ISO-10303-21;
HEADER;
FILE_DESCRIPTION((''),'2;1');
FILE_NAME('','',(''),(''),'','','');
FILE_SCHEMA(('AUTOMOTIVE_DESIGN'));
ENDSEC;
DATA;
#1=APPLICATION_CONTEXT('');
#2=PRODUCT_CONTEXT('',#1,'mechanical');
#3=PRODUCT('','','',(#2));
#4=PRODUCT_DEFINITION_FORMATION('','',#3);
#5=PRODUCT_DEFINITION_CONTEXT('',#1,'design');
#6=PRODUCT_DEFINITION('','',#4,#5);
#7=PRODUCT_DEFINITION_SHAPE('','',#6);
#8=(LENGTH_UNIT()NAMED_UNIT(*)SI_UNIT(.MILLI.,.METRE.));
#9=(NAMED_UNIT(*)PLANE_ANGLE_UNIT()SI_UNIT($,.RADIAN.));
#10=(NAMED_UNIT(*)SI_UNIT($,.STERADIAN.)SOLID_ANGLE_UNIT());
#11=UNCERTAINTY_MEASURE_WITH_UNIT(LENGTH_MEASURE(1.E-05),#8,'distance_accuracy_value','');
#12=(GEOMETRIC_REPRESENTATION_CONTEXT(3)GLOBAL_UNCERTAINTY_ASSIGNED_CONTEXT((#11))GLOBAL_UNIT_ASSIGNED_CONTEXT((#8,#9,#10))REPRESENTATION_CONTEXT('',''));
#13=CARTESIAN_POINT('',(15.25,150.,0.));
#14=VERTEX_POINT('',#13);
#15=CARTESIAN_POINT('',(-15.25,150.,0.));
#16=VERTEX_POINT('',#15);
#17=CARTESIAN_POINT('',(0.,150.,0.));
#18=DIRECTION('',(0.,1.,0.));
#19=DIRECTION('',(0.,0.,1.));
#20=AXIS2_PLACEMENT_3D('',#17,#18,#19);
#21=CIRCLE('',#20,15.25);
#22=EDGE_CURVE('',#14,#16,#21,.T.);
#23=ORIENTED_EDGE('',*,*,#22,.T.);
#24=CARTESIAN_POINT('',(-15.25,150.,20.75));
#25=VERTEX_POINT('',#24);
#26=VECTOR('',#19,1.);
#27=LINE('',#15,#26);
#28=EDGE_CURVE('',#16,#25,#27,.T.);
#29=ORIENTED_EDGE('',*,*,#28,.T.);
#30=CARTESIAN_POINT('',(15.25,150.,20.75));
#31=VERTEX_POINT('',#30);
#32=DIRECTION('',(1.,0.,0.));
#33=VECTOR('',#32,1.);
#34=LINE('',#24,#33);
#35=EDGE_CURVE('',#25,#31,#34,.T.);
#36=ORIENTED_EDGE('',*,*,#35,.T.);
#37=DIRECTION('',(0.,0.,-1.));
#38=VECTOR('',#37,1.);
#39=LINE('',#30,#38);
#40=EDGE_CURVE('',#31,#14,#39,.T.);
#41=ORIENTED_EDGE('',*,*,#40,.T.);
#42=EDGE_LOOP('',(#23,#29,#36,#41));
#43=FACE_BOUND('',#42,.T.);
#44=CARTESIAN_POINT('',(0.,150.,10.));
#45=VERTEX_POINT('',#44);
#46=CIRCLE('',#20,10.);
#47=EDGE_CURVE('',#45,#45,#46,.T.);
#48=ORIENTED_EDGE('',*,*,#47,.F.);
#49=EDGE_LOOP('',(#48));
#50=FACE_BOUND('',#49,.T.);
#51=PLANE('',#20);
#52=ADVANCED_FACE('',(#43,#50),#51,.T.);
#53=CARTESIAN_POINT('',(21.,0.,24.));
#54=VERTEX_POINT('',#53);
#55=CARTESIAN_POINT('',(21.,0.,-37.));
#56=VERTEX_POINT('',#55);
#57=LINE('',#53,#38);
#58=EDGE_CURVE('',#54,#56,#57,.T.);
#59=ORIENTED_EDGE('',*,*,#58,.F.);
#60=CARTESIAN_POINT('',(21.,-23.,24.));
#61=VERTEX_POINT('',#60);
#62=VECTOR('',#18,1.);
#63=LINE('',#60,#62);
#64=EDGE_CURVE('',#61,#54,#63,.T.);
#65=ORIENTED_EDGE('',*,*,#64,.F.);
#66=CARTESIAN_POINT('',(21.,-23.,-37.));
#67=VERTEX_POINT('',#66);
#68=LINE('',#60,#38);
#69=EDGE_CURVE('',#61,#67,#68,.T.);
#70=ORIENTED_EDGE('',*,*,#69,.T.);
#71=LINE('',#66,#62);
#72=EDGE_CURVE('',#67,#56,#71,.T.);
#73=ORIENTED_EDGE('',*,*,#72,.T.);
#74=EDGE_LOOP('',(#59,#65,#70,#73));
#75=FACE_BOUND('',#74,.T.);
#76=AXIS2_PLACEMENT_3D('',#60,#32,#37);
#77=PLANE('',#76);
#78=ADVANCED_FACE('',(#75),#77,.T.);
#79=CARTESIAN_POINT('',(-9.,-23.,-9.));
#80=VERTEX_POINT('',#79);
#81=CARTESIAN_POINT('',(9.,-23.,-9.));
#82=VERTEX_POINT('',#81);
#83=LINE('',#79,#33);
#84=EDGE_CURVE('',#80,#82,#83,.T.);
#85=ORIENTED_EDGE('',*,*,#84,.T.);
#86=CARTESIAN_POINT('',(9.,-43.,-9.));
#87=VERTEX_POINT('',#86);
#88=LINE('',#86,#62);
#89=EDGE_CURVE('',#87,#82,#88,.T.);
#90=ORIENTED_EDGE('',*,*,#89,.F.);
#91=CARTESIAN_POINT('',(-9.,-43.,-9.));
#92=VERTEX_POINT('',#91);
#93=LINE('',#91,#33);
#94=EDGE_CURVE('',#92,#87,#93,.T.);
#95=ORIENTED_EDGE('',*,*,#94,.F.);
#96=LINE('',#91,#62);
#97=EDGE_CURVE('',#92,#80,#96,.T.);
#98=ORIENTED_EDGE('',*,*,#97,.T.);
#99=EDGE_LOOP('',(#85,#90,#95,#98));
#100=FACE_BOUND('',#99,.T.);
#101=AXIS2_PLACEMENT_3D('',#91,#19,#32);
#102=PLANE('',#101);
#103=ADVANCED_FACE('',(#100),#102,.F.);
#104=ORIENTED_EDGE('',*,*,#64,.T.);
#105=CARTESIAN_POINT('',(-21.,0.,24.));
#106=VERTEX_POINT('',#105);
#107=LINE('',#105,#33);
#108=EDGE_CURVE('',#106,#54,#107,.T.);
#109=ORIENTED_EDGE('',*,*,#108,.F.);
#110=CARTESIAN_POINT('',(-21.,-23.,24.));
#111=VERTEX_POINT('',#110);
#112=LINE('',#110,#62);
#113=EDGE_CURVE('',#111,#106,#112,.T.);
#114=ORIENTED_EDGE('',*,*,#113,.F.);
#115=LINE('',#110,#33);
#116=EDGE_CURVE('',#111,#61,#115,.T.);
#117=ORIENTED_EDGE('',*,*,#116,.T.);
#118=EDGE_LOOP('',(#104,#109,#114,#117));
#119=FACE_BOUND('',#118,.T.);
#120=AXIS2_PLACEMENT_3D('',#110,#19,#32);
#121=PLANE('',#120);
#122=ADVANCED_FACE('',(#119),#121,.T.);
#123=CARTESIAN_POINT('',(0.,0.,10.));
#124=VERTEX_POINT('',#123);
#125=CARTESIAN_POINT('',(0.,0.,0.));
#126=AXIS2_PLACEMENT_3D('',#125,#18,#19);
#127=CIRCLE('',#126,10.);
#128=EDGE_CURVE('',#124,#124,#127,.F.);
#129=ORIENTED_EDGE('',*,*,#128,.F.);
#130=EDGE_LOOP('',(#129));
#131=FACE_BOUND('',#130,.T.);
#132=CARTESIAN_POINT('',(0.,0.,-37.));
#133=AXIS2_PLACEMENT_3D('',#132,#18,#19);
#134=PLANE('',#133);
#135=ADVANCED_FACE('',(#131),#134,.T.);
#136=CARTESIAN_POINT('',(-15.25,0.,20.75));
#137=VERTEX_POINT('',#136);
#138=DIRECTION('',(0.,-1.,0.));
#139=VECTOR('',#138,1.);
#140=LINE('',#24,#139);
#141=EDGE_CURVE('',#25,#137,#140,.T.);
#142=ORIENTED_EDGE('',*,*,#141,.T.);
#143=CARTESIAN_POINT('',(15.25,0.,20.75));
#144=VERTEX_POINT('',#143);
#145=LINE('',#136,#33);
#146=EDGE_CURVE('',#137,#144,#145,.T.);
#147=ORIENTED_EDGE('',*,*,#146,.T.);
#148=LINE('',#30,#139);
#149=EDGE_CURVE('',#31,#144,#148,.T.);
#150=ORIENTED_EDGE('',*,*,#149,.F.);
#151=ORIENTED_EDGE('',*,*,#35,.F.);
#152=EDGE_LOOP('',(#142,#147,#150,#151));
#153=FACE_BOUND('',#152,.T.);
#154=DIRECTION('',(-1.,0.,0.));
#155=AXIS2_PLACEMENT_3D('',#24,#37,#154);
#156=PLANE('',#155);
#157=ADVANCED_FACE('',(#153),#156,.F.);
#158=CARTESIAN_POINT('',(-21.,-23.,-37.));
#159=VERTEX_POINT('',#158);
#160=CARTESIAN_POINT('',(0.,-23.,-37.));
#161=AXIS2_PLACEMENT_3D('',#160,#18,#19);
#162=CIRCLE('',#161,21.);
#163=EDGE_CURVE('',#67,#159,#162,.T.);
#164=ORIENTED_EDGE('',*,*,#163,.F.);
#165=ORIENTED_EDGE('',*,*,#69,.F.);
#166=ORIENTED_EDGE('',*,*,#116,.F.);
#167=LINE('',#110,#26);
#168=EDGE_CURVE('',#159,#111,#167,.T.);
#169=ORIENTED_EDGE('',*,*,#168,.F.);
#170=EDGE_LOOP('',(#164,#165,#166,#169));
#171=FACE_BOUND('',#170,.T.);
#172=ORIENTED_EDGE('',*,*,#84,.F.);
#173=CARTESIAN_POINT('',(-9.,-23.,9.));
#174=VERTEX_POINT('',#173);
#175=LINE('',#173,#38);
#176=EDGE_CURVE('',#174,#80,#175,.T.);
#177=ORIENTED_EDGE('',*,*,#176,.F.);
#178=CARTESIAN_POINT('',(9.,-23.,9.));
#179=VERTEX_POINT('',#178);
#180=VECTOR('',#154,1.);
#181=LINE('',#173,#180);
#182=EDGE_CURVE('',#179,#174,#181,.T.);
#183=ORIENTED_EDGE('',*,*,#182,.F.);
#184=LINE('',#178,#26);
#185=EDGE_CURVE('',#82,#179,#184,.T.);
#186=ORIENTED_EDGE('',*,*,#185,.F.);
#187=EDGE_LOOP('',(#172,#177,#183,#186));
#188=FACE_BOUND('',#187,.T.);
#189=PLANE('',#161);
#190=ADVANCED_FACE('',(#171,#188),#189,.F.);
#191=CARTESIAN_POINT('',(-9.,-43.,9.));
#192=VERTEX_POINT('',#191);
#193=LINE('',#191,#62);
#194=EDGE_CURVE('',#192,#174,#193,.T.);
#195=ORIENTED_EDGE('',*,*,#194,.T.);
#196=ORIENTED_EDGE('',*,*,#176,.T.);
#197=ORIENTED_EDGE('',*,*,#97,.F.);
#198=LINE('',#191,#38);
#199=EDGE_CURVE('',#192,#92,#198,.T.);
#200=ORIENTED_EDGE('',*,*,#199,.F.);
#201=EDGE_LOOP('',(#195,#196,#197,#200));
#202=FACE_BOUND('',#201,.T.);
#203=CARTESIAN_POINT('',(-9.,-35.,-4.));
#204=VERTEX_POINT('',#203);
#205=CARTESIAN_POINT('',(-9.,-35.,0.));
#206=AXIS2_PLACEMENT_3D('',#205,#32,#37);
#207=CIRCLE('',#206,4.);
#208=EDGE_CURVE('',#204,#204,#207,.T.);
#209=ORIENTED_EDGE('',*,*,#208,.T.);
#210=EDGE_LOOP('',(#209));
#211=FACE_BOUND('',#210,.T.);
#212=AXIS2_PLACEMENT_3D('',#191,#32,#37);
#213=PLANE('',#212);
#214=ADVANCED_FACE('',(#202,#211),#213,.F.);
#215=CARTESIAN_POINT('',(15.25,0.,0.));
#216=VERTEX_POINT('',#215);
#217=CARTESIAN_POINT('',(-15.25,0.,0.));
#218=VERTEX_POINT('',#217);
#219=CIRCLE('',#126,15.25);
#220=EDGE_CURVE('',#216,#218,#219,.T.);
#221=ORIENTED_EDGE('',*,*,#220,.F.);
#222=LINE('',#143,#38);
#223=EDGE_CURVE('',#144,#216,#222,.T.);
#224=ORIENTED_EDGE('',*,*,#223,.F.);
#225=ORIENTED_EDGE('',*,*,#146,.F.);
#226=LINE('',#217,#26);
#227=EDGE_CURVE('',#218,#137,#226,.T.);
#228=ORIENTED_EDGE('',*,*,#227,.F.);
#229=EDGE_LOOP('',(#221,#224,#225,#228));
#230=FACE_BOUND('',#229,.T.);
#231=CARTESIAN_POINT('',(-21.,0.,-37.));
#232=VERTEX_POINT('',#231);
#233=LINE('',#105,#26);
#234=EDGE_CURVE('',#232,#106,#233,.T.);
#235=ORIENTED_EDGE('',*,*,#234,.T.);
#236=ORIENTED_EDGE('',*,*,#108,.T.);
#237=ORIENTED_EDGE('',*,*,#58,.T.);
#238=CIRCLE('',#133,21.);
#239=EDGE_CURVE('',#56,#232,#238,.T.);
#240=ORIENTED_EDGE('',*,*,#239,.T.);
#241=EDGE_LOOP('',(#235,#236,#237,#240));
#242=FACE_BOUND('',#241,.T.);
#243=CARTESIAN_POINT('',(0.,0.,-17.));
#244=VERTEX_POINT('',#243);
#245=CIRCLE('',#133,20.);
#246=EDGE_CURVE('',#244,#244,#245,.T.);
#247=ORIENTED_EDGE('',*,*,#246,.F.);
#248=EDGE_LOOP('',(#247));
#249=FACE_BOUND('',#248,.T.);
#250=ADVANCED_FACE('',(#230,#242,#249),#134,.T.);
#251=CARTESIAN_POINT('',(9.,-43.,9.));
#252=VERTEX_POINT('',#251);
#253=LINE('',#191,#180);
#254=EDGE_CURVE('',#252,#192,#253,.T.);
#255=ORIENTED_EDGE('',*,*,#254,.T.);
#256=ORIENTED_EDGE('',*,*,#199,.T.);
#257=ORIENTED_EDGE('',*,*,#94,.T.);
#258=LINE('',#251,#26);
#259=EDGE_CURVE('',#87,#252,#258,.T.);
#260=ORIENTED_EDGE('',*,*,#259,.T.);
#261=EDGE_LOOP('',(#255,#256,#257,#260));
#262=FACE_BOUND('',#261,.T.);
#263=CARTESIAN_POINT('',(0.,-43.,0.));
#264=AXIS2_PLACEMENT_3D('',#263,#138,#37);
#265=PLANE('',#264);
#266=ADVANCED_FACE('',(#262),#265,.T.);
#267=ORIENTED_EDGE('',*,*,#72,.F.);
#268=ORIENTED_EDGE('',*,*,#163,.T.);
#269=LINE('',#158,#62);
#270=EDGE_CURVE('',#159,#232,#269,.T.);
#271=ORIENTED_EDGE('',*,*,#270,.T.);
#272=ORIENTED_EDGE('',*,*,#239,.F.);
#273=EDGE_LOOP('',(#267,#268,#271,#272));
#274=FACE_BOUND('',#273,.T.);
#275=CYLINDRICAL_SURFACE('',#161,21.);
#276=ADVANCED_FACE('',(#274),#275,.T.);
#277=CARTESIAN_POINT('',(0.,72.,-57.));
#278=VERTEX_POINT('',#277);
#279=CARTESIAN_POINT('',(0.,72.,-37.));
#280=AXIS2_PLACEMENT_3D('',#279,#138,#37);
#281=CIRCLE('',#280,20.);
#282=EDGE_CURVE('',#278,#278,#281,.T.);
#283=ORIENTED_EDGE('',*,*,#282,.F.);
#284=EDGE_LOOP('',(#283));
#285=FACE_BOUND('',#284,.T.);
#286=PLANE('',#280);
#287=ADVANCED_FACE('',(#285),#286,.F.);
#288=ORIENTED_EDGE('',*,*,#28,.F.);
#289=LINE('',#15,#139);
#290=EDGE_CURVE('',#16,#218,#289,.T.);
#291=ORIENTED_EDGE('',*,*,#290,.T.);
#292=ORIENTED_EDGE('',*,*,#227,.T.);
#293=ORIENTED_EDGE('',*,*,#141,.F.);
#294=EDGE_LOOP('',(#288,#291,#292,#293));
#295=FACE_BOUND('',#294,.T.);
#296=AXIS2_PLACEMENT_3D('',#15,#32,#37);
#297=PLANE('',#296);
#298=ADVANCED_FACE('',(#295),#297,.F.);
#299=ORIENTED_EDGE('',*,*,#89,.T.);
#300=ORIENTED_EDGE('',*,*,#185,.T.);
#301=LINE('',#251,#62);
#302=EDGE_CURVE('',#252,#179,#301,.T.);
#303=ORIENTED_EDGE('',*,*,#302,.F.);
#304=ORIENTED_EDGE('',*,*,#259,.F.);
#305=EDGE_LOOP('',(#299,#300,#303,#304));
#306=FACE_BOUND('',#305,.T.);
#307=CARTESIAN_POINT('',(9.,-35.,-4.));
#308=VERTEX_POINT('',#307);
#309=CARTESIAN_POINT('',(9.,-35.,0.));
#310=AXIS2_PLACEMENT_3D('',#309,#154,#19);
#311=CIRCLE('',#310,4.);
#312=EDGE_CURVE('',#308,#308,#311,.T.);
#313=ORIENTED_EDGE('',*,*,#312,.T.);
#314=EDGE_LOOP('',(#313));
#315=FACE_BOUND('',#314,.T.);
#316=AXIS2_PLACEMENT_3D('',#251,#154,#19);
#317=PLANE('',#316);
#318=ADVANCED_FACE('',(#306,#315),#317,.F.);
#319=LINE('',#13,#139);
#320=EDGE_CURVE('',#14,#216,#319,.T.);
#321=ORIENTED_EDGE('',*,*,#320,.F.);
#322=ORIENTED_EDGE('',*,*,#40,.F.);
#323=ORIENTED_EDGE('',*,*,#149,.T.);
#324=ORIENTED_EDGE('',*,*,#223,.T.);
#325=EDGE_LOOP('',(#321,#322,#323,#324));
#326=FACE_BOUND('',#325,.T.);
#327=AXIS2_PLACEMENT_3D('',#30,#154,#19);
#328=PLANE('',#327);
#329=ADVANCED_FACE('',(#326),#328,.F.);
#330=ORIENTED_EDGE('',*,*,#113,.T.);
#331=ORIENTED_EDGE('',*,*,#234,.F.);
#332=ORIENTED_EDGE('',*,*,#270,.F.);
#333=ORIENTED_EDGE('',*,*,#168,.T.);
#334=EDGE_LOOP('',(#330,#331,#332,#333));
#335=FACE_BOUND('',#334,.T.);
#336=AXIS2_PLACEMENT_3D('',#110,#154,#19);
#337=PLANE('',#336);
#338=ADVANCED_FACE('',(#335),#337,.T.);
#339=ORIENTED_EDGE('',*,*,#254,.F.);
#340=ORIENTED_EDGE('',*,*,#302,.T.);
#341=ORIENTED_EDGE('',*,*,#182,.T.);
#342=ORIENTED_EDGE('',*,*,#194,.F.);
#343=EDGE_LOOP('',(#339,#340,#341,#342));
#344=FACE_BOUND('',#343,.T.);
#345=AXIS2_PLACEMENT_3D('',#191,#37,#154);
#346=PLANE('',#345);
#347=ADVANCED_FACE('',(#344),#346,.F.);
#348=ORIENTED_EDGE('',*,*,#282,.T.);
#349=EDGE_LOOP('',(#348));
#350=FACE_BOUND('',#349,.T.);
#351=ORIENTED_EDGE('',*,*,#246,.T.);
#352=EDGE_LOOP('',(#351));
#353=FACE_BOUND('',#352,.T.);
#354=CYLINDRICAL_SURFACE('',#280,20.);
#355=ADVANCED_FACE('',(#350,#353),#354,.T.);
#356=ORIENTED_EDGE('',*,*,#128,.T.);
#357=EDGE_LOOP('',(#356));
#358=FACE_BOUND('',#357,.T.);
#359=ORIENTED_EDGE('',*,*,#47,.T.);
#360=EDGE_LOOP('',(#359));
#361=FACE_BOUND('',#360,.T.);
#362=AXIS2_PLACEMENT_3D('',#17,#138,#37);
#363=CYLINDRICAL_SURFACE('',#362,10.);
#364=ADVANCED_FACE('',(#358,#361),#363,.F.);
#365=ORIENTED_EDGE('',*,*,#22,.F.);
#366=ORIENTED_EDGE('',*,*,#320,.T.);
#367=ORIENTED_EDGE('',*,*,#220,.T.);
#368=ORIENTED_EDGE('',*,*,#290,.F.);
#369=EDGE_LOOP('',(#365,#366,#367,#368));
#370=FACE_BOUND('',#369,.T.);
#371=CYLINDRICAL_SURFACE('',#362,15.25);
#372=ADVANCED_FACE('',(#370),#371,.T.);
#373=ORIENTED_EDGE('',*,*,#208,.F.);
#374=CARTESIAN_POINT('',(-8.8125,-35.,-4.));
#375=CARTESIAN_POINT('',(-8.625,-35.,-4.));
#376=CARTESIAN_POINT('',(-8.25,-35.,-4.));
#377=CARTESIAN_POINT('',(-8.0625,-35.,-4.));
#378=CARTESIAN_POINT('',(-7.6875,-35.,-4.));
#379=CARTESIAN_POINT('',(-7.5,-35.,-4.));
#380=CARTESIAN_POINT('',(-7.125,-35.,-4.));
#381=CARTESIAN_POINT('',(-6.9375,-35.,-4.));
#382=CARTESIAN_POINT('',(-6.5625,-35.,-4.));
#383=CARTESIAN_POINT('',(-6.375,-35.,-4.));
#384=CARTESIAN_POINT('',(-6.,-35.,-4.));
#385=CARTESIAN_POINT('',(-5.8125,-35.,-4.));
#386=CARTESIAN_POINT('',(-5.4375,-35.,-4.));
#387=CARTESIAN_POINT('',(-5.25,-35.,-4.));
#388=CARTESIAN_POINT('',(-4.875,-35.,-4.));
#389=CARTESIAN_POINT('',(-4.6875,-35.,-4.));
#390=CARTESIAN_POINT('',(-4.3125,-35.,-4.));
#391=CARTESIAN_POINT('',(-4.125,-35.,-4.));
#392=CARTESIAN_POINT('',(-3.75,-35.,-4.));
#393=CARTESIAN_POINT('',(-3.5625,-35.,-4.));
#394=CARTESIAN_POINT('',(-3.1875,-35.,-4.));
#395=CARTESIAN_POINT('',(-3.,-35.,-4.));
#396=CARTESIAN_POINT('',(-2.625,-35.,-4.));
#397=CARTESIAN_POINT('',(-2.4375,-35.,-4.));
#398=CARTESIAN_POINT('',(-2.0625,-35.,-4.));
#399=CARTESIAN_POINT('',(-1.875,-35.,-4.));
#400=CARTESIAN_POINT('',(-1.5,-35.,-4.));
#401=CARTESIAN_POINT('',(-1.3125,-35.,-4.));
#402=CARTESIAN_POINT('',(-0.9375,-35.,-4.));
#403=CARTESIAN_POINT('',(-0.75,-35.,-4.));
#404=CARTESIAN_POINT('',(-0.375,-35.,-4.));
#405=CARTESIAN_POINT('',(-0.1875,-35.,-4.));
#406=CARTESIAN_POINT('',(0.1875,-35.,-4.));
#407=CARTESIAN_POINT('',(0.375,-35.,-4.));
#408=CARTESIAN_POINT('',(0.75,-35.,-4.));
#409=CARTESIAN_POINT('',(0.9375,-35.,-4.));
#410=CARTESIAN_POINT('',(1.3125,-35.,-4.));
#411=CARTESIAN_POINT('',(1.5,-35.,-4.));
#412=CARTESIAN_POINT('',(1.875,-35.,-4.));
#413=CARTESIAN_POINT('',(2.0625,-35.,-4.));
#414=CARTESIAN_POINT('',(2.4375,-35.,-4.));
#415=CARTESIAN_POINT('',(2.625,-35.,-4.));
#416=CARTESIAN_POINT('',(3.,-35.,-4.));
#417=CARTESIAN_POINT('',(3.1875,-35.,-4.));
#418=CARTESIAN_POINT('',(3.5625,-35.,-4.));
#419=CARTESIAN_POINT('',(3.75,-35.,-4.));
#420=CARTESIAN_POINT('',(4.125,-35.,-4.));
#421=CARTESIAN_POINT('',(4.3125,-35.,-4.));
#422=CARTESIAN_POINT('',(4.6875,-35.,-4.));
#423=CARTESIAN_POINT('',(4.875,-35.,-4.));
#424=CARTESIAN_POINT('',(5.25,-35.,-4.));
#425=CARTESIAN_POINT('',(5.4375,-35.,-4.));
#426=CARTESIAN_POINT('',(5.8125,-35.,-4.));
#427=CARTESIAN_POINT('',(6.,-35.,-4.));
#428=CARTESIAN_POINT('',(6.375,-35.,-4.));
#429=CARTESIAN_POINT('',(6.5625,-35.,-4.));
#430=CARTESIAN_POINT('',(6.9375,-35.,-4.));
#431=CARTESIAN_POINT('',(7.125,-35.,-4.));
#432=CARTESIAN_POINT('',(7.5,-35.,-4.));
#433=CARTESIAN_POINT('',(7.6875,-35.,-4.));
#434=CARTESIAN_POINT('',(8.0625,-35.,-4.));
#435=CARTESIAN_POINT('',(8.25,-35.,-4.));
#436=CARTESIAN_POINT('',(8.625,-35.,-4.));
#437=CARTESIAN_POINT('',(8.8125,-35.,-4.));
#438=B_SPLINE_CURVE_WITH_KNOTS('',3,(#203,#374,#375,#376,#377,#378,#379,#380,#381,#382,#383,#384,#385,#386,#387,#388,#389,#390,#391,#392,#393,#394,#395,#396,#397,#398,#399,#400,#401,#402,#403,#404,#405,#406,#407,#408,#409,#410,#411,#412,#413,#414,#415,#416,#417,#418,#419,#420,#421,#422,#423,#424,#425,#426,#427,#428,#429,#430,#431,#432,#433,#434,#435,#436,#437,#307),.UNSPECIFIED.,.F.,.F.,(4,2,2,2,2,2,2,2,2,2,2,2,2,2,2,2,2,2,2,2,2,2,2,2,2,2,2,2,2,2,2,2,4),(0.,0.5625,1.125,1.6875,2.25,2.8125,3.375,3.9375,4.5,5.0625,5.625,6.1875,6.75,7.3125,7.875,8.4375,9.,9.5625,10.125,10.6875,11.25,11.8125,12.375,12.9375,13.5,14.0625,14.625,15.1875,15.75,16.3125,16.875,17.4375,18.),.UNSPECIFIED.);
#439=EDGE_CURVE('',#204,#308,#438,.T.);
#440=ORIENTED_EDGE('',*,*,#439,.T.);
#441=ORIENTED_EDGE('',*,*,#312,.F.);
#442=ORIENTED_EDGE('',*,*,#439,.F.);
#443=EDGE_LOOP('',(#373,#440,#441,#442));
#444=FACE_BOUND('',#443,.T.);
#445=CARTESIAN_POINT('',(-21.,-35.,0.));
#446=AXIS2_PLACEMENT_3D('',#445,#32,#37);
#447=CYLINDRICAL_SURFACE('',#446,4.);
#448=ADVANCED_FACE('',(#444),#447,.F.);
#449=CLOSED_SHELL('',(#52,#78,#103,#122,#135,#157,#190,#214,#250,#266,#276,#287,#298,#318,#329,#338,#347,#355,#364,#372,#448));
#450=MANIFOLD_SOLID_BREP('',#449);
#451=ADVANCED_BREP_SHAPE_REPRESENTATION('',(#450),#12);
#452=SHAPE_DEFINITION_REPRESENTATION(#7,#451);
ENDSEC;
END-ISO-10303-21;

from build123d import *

# Parameters (mm, degrees)
BOSS_EXTRUDE1_DEPTH     = 23
SKETCH2_W               = 18
SKETCH2_H               = 18
BOSS_EXTRUDE2_DEPTH     = 20
CUT_EXTRUDE1_DEPTH      = 76.193084788
CUT_EXTRUDE1_DEPTH_BACK = 76.193084788
SKETCH3_R               = 4
SKETCH4_R               = 20
BOSS_EXTRUDE3_DEPTH     = 95
SKETCH5_R               = 10
BOSS_EXTRUDE4_DEPTH     = 150


with BuildPart() as part:
    # Sketch1 → Boss-Extrude1 (new body)
    with BuildSketch(Plane(origin=(0, 0, 0), x_dir=(1, 0, 0), z_dir=(0, 1, 0))):
        with BuildLine():
            Line((-21, -24), (21, -24))
            Line((21, -24), (21, 37))
            ThreePointArc((21, 37), (0, 58), (-21, 37))
            Line((-21, 37), (-21, -24))
        make_face()
    extrude(amount=-BOSS_EXTRUDE1_DEPTH)

    # Sketch2 → Boss-Extrude2 (add)
    with BuildSketch(Plane.XZ.offset(23)):
        Rectangle(SKETCH2_W, SKETCH2_H)
    extrude(amount=BOSS_EXTRUDE2_DEPTH)

    # Sketch3 → Cut-Extrude1 (cut, two sides: drawn at the far end of the back side and taken through both)
    with BuildSketch(Plane(origin=(0, 0, 0), x_dir=(0, 0, -1), z_dir=(1, 0, 0)).offset(-CUT_EXTRUDE1_DEPTH_BACK)):
        with Locations((0, -35)):
            Circle(SKETCH3_R)
    extrude(amount=CUT_EXTRUDE1_DEPTH + CUT_EXTRUDE1_DEPTH_BACK, mode=Mode.SUBTRACT)

    # Sketch4 → Boss-Extrude3 (add)
    with BuildSketch(Plane.XZ.offset(23)):
        with Locations(Location((0, -37, 0), (0, 0, 270))):
            Circle(SKETCH4_R)
    extrude(amount=-BOSS_EXTRUDE3_DEPTH)

    # Sketch5 → Boss-Extrude4 (add)
    with BuildSketch(Plane(origin=(0, 0, 0), x_dir=(1, 0, 0), z_dir=(0, 1, 0))):
        with BuildLine():
            Line((-15.25, 0), (-15.25, -20.75))
            Line((-15.25, -20.75), (15.25, -20.75))
            Line((15.25, -20.75), (15.25, 0))
            ThreePointArc((15.25, 0), (0, 15.25), (-15.25, 0))
        make_face()
        with Locations(Location((0, 0, 0), (0, 0, 270))):
            Circle(SKETCH5_R, mode=Mode.SUBTRACT)
    extrude(amount=BOSS_EXTRUDE4_DEPTH)


solid = part.part
